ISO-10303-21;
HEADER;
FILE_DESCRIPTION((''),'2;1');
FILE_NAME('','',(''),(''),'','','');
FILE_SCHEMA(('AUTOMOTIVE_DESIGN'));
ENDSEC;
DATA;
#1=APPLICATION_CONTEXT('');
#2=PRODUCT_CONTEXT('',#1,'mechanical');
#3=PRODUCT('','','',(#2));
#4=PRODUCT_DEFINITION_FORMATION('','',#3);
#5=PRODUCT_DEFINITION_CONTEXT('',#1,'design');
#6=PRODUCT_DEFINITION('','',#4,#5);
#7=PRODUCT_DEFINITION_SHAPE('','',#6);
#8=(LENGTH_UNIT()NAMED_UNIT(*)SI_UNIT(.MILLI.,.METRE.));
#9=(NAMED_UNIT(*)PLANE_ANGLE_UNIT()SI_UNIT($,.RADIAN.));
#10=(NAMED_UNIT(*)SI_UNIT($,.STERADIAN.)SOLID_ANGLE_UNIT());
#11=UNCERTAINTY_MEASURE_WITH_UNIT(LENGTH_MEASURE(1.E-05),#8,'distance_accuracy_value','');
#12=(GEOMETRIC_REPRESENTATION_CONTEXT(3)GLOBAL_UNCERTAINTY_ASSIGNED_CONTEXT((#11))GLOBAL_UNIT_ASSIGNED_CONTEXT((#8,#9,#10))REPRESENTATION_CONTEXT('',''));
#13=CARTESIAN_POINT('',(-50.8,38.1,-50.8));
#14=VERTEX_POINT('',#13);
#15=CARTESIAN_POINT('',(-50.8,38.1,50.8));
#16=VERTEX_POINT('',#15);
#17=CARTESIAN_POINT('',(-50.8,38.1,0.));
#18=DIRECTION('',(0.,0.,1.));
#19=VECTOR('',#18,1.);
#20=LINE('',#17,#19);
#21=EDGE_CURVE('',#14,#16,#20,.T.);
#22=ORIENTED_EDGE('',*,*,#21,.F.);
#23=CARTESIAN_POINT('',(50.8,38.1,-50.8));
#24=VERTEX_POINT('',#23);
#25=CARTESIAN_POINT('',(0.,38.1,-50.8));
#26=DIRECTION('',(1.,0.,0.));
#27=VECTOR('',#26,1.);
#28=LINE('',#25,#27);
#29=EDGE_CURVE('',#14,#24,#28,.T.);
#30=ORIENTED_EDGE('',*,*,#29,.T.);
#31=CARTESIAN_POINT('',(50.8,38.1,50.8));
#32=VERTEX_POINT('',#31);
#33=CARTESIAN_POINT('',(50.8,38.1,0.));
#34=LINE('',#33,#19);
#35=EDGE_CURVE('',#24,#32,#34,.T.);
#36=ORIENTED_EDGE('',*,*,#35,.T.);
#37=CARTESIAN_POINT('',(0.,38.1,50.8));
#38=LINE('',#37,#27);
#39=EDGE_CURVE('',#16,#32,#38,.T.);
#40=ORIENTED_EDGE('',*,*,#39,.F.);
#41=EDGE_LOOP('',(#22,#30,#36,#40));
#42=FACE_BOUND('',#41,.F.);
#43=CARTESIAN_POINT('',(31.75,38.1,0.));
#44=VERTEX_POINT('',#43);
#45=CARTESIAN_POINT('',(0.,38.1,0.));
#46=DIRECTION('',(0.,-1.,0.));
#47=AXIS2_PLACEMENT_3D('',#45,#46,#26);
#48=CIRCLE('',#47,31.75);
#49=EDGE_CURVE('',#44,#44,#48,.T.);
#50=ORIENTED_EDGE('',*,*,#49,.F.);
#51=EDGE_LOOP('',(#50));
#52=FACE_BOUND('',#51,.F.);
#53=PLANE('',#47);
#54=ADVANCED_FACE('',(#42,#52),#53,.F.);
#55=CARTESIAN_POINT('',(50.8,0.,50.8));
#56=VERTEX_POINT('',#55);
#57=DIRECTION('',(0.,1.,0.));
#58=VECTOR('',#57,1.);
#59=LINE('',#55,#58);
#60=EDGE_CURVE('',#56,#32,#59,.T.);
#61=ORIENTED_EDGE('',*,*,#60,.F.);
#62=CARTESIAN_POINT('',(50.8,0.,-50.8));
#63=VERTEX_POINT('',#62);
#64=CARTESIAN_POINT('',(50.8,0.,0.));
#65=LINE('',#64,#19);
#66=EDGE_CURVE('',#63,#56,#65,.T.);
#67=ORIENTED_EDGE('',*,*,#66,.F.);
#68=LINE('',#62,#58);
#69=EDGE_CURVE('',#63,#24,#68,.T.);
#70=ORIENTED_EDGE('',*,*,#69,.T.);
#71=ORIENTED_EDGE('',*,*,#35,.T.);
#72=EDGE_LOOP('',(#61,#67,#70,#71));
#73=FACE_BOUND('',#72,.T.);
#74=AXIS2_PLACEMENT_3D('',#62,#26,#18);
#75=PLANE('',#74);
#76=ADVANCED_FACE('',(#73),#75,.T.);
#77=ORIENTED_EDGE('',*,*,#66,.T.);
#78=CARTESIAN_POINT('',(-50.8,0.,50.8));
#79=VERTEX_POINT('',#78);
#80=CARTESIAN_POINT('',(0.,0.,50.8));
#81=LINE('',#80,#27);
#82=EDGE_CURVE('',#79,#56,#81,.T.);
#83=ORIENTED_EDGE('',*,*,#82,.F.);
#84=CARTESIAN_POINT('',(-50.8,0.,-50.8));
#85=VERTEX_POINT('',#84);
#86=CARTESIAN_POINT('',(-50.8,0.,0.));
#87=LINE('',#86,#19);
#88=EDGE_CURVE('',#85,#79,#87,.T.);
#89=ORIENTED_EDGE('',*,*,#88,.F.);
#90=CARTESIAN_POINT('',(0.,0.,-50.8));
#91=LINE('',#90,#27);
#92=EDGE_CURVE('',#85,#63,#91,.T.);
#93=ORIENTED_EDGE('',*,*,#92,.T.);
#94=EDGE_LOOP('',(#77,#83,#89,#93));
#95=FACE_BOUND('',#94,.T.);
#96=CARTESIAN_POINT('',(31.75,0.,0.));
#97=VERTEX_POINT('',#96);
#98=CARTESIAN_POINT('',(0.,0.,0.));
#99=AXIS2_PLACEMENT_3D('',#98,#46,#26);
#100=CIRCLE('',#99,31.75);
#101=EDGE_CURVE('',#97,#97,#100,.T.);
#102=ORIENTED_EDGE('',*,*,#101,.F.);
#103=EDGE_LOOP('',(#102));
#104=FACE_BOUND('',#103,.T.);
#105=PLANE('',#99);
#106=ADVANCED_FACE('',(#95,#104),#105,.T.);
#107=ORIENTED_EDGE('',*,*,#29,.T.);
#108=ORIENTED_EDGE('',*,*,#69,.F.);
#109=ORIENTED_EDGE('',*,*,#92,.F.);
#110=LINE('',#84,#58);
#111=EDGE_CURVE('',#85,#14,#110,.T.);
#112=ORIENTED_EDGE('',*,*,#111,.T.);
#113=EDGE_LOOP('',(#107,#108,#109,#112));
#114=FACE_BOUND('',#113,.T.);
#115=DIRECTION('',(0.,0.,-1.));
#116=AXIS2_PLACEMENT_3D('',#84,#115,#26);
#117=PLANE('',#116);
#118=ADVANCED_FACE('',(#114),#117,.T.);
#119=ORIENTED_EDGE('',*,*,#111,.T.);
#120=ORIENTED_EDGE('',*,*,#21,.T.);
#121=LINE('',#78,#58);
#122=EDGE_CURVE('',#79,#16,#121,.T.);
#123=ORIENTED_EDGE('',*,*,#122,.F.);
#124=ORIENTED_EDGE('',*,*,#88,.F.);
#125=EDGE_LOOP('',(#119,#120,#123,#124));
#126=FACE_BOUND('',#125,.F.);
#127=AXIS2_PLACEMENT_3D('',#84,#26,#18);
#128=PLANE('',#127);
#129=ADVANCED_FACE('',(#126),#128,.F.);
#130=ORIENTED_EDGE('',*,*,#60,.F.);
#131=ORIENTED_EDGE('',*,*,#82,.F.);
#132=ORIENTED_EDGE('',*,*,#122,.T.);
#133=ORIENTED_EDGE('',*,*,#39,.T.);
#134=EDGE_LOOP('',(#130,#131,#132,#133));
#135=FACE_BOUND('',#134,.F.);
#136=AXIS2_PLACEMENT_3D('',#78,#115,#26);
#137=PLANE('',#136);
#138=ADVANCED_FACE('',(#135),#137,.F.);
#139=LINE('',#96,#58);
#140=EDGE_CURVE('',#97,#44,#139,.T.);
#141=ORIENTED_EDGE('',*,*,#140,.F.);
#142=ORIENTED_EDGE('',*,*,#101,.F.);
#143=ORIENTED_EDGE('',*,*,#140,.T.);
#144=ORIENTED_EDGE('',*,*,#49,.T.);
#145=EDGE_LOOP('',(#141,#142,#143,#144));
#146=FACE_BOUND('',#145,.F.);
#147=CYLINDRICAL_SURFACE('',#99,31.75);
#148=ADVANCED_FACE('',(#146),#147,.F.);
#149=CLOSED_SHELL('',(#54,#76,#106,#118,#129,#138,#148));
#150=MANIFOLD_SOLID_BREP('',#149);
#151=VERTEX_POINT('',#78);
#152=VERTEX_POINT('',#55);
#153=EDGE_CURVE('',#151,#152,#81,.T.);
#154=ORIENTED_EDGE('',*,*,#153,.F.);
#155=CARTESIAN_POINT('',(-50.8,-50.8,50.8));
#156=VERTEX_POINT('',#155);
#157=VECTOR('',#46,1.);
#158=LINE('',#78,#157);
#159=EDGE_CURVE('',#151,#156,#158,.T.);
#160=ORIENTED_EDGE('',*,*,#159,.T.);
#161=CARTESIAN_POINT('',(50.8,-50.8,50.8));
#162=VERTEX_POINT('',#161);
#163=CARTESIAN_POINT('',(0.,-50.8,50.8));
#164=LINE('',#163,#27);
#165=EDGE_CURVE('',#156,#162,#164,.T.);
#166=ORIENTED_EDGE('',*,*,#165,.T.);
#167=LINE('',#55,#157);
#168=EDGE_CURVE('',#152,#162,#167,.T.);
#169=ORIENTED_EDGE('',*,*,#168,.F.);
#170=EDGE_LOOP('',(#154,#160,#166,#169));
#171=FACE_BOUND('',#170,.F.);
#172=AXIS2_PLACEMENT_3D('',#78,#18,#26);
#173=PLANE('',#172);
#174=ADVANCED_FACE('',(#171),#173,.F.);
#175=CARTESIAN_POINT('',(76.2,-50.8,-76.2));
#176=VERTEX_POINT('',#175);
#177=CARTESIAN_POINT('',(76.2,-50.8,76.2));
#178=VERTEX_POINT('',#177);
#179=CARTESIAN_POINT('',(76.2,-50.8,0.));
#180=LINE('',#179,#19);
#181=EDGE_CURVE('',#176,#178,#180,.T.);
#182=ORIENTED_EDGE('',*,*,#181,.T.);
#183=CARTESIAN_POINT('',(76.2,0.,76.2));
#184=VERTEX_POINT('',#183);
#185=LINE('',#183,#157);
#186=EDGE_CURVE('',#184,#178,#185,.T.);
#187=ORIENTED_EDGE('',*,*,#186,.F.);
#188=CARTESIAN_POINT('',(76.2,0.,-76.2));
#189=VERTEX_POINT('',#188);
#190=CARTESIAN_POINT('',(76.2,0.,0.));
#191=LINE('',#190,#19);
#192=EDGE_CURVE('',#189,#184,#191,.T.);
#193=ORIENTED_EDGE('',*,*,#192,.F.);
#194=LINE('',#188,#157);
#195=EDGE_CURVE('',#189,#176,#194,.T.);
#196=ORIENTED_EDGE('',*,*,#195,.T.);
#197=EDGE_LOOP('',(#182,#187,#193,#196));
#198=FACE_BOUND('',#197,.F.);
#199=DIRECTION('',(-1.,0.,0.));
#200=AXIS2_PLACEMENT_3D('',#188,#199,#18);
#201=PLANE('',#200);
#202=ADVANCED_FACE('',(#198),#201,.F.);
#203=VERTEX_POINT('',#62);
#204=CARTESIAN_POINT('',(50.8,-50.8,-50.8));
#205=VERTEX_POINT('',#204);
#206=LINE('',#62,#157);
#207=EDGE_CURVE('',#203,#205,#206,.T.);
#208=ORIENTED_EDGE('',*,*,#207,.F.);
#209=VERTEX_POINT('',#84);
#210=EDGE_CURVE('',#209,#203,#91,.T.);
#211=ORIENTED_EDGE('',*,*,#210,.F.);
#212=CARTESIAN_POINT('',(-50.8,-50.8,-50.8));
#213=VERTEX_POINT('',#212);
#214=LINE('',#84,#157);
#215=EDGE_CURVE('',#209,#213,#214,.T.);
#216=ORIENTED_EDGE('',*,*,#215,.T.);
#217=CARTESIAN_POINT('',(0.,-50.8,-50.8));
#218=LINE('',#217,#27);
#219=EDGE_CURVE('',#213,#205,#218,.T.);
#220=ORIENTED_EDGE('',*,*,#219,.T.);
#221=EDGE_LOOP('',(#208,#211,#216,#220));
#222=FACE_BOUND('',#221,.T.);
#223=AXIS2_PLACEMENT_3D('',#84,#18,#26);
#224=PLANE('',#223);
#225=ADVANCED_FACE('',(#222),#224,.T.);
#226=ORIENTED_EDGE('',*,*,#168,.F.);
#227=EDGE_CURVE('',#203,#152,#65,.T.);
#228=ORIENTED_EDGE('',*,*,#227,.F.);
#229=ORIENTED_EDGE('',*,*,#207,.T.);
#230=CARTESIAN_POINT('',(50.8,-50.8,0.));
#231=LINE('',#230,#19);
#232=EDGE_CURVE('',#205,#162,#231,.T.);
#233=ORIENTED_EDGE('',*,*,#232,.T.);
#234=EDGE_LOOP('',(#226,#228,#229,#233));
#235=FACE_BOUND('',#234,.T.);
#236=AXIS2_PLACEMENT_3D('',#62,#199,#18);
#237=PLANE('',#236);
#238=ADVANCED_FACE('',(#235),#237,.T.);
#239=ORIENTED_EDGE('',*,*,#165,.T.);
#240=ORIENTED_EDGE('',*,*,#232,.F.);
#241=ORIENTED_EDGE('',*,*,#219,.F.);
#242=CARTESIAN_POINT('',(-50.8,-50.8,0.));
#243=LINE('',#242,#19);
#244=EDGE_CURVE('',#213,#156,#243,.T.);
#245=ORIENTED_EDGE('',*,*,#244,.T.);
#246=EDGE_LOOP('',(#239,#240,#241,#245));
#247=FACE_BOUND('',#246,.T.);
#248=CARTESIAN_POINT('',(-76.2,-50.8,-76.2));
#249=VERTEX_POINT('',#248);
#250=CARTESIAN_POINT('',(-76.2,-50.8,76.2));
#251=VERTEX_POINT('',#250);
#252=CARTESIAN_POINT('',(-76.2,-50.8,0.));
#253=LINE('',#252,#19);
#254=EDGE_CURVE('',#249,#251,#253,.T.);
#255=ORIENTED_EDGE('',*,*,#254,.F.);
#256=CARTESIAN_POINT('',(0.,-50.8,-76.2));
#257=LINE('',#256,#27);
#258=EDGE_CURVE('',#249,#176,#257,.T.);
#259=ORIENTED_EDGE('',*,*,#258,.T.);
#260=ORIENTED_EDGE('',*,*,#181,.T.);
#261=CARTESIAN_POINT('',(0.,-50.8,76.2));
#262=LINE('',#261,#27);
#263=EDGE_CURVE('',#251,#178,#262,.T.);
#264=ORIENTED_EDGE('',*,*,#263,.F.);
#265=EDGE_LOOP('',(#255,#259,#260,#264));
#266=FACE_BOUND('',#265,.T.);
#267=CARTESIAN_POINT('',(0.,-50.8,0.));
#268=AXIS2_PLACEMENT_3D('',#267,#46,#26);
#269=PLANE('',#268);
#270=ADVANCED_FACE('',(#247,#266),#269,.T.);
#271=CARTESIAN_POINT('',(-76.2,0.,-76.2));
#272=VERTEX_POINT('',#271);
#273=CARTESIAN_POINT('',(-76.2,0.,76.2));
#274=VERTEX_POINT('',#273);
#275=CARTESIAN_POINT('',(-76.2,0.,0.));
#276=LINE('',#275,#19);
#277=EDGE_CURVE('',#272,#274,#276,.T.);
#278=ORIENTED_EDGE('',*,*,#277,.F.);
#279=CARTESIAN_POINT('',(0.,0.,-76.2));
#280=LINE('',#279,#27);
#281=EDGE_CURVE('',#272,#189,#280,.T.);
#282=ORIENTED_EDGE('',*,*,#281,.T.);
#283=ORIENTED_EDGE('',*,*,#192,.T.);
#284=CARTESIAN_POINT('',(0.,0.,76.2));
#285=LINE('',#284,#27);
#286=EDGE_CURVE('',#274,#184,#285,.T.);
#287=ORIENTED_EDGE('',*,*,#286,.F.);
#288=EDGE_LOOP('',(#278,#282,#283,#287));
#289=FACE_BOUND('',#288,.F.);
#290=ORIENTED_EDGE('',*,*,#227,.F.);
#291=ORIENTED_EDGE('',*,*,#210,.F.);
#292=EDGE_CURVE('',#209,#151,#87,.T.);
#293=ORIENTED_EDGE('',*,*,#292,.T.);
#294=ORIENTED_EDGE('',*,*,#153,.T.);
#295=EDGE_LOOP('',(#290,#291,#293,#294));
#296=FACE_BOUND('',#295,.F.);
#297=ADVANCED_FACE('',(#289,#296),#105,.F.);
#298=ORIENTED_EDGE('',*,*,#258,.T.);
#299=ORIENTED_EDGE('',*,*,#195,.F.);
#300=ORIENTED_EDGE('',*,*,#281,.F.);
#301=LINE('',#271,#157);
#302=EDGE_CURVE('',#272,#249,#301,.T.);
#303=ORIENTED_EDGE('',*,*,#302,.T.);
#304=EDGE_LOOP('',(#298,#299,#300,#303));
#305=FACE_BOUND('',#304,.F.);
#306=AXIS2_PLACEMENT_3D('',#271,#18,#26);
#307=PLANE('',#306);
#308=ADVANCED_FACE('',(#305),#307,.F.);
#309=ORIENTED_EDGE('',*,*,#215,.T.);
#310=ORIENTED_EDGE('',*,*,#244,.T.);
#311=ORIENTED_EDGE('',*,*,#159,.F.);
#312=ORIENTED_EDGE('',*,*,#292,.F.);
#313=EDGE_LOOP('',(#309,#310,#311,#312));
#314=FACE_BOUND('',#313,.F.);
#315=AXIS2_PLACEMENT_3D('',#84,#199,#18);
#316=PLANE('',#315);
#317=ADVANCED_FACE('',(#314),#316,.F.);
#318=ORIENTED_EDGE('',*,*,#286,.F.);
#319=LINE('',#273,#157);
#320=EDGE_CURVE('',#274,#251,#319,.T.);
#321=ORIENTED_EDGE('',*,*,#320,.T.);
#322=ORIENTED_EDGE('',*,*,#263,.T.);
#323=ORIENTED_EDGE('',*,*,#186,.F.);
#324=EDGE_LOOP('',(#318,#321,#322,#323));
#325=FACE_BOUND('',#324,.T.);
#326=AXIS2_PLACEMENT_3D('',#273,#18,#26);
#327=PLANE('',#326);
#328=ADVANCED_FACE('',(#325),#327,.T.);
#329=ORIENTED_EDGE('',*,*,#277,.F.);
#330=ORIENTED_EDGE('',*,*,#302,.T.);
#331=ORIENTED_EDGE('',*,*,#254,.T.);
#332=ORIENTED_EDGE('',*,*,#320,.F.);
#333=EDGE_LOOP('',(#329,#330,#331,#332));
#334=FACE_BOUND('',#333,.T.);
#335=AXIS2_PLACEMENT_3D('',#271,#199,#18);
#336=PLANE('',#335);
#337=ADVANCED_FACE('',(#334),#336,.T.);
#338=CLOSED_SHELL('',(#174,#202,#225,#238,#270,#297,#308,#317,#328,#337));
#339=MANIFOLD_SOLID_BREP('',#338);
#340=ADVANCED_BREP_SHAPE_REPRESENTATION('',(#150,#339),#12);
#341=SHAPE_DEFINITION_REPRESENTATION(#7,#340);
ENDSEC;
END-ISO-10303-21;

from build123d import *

# Parameters (mm, degrees)
F0_W     = 101.6
F0_H     = 101.6
F0_R     = 31.75
F1_DEPTH = 38.1
F0_W_2   = 152.4
F0_H_2   = 152.4
F2_DEPTH = 50.8


with BuildPart() as f1:
    # F0 (on Front) → F1 (new body)
    with BuildSketch(Plane.XZ):
        Rectangle(F0_W, F0_H)
        Circle(F0_R, mode=Mode.SUBTRACT)
    extrude(amount=-F1_DEPTH)


with BuildPart() as f2:
    # F0 (on Front) → F2 (new body)
    with BuildSketch(Plane.XZ):
        Rectangle(F0_W_2, F0_H_2)
        Rectangle(F0_W, F0_H, mode=Mode.SUBTRACT)
    extrude(amount=F2_DEPTH)


solid = Compound([f1.part, f2.part])
